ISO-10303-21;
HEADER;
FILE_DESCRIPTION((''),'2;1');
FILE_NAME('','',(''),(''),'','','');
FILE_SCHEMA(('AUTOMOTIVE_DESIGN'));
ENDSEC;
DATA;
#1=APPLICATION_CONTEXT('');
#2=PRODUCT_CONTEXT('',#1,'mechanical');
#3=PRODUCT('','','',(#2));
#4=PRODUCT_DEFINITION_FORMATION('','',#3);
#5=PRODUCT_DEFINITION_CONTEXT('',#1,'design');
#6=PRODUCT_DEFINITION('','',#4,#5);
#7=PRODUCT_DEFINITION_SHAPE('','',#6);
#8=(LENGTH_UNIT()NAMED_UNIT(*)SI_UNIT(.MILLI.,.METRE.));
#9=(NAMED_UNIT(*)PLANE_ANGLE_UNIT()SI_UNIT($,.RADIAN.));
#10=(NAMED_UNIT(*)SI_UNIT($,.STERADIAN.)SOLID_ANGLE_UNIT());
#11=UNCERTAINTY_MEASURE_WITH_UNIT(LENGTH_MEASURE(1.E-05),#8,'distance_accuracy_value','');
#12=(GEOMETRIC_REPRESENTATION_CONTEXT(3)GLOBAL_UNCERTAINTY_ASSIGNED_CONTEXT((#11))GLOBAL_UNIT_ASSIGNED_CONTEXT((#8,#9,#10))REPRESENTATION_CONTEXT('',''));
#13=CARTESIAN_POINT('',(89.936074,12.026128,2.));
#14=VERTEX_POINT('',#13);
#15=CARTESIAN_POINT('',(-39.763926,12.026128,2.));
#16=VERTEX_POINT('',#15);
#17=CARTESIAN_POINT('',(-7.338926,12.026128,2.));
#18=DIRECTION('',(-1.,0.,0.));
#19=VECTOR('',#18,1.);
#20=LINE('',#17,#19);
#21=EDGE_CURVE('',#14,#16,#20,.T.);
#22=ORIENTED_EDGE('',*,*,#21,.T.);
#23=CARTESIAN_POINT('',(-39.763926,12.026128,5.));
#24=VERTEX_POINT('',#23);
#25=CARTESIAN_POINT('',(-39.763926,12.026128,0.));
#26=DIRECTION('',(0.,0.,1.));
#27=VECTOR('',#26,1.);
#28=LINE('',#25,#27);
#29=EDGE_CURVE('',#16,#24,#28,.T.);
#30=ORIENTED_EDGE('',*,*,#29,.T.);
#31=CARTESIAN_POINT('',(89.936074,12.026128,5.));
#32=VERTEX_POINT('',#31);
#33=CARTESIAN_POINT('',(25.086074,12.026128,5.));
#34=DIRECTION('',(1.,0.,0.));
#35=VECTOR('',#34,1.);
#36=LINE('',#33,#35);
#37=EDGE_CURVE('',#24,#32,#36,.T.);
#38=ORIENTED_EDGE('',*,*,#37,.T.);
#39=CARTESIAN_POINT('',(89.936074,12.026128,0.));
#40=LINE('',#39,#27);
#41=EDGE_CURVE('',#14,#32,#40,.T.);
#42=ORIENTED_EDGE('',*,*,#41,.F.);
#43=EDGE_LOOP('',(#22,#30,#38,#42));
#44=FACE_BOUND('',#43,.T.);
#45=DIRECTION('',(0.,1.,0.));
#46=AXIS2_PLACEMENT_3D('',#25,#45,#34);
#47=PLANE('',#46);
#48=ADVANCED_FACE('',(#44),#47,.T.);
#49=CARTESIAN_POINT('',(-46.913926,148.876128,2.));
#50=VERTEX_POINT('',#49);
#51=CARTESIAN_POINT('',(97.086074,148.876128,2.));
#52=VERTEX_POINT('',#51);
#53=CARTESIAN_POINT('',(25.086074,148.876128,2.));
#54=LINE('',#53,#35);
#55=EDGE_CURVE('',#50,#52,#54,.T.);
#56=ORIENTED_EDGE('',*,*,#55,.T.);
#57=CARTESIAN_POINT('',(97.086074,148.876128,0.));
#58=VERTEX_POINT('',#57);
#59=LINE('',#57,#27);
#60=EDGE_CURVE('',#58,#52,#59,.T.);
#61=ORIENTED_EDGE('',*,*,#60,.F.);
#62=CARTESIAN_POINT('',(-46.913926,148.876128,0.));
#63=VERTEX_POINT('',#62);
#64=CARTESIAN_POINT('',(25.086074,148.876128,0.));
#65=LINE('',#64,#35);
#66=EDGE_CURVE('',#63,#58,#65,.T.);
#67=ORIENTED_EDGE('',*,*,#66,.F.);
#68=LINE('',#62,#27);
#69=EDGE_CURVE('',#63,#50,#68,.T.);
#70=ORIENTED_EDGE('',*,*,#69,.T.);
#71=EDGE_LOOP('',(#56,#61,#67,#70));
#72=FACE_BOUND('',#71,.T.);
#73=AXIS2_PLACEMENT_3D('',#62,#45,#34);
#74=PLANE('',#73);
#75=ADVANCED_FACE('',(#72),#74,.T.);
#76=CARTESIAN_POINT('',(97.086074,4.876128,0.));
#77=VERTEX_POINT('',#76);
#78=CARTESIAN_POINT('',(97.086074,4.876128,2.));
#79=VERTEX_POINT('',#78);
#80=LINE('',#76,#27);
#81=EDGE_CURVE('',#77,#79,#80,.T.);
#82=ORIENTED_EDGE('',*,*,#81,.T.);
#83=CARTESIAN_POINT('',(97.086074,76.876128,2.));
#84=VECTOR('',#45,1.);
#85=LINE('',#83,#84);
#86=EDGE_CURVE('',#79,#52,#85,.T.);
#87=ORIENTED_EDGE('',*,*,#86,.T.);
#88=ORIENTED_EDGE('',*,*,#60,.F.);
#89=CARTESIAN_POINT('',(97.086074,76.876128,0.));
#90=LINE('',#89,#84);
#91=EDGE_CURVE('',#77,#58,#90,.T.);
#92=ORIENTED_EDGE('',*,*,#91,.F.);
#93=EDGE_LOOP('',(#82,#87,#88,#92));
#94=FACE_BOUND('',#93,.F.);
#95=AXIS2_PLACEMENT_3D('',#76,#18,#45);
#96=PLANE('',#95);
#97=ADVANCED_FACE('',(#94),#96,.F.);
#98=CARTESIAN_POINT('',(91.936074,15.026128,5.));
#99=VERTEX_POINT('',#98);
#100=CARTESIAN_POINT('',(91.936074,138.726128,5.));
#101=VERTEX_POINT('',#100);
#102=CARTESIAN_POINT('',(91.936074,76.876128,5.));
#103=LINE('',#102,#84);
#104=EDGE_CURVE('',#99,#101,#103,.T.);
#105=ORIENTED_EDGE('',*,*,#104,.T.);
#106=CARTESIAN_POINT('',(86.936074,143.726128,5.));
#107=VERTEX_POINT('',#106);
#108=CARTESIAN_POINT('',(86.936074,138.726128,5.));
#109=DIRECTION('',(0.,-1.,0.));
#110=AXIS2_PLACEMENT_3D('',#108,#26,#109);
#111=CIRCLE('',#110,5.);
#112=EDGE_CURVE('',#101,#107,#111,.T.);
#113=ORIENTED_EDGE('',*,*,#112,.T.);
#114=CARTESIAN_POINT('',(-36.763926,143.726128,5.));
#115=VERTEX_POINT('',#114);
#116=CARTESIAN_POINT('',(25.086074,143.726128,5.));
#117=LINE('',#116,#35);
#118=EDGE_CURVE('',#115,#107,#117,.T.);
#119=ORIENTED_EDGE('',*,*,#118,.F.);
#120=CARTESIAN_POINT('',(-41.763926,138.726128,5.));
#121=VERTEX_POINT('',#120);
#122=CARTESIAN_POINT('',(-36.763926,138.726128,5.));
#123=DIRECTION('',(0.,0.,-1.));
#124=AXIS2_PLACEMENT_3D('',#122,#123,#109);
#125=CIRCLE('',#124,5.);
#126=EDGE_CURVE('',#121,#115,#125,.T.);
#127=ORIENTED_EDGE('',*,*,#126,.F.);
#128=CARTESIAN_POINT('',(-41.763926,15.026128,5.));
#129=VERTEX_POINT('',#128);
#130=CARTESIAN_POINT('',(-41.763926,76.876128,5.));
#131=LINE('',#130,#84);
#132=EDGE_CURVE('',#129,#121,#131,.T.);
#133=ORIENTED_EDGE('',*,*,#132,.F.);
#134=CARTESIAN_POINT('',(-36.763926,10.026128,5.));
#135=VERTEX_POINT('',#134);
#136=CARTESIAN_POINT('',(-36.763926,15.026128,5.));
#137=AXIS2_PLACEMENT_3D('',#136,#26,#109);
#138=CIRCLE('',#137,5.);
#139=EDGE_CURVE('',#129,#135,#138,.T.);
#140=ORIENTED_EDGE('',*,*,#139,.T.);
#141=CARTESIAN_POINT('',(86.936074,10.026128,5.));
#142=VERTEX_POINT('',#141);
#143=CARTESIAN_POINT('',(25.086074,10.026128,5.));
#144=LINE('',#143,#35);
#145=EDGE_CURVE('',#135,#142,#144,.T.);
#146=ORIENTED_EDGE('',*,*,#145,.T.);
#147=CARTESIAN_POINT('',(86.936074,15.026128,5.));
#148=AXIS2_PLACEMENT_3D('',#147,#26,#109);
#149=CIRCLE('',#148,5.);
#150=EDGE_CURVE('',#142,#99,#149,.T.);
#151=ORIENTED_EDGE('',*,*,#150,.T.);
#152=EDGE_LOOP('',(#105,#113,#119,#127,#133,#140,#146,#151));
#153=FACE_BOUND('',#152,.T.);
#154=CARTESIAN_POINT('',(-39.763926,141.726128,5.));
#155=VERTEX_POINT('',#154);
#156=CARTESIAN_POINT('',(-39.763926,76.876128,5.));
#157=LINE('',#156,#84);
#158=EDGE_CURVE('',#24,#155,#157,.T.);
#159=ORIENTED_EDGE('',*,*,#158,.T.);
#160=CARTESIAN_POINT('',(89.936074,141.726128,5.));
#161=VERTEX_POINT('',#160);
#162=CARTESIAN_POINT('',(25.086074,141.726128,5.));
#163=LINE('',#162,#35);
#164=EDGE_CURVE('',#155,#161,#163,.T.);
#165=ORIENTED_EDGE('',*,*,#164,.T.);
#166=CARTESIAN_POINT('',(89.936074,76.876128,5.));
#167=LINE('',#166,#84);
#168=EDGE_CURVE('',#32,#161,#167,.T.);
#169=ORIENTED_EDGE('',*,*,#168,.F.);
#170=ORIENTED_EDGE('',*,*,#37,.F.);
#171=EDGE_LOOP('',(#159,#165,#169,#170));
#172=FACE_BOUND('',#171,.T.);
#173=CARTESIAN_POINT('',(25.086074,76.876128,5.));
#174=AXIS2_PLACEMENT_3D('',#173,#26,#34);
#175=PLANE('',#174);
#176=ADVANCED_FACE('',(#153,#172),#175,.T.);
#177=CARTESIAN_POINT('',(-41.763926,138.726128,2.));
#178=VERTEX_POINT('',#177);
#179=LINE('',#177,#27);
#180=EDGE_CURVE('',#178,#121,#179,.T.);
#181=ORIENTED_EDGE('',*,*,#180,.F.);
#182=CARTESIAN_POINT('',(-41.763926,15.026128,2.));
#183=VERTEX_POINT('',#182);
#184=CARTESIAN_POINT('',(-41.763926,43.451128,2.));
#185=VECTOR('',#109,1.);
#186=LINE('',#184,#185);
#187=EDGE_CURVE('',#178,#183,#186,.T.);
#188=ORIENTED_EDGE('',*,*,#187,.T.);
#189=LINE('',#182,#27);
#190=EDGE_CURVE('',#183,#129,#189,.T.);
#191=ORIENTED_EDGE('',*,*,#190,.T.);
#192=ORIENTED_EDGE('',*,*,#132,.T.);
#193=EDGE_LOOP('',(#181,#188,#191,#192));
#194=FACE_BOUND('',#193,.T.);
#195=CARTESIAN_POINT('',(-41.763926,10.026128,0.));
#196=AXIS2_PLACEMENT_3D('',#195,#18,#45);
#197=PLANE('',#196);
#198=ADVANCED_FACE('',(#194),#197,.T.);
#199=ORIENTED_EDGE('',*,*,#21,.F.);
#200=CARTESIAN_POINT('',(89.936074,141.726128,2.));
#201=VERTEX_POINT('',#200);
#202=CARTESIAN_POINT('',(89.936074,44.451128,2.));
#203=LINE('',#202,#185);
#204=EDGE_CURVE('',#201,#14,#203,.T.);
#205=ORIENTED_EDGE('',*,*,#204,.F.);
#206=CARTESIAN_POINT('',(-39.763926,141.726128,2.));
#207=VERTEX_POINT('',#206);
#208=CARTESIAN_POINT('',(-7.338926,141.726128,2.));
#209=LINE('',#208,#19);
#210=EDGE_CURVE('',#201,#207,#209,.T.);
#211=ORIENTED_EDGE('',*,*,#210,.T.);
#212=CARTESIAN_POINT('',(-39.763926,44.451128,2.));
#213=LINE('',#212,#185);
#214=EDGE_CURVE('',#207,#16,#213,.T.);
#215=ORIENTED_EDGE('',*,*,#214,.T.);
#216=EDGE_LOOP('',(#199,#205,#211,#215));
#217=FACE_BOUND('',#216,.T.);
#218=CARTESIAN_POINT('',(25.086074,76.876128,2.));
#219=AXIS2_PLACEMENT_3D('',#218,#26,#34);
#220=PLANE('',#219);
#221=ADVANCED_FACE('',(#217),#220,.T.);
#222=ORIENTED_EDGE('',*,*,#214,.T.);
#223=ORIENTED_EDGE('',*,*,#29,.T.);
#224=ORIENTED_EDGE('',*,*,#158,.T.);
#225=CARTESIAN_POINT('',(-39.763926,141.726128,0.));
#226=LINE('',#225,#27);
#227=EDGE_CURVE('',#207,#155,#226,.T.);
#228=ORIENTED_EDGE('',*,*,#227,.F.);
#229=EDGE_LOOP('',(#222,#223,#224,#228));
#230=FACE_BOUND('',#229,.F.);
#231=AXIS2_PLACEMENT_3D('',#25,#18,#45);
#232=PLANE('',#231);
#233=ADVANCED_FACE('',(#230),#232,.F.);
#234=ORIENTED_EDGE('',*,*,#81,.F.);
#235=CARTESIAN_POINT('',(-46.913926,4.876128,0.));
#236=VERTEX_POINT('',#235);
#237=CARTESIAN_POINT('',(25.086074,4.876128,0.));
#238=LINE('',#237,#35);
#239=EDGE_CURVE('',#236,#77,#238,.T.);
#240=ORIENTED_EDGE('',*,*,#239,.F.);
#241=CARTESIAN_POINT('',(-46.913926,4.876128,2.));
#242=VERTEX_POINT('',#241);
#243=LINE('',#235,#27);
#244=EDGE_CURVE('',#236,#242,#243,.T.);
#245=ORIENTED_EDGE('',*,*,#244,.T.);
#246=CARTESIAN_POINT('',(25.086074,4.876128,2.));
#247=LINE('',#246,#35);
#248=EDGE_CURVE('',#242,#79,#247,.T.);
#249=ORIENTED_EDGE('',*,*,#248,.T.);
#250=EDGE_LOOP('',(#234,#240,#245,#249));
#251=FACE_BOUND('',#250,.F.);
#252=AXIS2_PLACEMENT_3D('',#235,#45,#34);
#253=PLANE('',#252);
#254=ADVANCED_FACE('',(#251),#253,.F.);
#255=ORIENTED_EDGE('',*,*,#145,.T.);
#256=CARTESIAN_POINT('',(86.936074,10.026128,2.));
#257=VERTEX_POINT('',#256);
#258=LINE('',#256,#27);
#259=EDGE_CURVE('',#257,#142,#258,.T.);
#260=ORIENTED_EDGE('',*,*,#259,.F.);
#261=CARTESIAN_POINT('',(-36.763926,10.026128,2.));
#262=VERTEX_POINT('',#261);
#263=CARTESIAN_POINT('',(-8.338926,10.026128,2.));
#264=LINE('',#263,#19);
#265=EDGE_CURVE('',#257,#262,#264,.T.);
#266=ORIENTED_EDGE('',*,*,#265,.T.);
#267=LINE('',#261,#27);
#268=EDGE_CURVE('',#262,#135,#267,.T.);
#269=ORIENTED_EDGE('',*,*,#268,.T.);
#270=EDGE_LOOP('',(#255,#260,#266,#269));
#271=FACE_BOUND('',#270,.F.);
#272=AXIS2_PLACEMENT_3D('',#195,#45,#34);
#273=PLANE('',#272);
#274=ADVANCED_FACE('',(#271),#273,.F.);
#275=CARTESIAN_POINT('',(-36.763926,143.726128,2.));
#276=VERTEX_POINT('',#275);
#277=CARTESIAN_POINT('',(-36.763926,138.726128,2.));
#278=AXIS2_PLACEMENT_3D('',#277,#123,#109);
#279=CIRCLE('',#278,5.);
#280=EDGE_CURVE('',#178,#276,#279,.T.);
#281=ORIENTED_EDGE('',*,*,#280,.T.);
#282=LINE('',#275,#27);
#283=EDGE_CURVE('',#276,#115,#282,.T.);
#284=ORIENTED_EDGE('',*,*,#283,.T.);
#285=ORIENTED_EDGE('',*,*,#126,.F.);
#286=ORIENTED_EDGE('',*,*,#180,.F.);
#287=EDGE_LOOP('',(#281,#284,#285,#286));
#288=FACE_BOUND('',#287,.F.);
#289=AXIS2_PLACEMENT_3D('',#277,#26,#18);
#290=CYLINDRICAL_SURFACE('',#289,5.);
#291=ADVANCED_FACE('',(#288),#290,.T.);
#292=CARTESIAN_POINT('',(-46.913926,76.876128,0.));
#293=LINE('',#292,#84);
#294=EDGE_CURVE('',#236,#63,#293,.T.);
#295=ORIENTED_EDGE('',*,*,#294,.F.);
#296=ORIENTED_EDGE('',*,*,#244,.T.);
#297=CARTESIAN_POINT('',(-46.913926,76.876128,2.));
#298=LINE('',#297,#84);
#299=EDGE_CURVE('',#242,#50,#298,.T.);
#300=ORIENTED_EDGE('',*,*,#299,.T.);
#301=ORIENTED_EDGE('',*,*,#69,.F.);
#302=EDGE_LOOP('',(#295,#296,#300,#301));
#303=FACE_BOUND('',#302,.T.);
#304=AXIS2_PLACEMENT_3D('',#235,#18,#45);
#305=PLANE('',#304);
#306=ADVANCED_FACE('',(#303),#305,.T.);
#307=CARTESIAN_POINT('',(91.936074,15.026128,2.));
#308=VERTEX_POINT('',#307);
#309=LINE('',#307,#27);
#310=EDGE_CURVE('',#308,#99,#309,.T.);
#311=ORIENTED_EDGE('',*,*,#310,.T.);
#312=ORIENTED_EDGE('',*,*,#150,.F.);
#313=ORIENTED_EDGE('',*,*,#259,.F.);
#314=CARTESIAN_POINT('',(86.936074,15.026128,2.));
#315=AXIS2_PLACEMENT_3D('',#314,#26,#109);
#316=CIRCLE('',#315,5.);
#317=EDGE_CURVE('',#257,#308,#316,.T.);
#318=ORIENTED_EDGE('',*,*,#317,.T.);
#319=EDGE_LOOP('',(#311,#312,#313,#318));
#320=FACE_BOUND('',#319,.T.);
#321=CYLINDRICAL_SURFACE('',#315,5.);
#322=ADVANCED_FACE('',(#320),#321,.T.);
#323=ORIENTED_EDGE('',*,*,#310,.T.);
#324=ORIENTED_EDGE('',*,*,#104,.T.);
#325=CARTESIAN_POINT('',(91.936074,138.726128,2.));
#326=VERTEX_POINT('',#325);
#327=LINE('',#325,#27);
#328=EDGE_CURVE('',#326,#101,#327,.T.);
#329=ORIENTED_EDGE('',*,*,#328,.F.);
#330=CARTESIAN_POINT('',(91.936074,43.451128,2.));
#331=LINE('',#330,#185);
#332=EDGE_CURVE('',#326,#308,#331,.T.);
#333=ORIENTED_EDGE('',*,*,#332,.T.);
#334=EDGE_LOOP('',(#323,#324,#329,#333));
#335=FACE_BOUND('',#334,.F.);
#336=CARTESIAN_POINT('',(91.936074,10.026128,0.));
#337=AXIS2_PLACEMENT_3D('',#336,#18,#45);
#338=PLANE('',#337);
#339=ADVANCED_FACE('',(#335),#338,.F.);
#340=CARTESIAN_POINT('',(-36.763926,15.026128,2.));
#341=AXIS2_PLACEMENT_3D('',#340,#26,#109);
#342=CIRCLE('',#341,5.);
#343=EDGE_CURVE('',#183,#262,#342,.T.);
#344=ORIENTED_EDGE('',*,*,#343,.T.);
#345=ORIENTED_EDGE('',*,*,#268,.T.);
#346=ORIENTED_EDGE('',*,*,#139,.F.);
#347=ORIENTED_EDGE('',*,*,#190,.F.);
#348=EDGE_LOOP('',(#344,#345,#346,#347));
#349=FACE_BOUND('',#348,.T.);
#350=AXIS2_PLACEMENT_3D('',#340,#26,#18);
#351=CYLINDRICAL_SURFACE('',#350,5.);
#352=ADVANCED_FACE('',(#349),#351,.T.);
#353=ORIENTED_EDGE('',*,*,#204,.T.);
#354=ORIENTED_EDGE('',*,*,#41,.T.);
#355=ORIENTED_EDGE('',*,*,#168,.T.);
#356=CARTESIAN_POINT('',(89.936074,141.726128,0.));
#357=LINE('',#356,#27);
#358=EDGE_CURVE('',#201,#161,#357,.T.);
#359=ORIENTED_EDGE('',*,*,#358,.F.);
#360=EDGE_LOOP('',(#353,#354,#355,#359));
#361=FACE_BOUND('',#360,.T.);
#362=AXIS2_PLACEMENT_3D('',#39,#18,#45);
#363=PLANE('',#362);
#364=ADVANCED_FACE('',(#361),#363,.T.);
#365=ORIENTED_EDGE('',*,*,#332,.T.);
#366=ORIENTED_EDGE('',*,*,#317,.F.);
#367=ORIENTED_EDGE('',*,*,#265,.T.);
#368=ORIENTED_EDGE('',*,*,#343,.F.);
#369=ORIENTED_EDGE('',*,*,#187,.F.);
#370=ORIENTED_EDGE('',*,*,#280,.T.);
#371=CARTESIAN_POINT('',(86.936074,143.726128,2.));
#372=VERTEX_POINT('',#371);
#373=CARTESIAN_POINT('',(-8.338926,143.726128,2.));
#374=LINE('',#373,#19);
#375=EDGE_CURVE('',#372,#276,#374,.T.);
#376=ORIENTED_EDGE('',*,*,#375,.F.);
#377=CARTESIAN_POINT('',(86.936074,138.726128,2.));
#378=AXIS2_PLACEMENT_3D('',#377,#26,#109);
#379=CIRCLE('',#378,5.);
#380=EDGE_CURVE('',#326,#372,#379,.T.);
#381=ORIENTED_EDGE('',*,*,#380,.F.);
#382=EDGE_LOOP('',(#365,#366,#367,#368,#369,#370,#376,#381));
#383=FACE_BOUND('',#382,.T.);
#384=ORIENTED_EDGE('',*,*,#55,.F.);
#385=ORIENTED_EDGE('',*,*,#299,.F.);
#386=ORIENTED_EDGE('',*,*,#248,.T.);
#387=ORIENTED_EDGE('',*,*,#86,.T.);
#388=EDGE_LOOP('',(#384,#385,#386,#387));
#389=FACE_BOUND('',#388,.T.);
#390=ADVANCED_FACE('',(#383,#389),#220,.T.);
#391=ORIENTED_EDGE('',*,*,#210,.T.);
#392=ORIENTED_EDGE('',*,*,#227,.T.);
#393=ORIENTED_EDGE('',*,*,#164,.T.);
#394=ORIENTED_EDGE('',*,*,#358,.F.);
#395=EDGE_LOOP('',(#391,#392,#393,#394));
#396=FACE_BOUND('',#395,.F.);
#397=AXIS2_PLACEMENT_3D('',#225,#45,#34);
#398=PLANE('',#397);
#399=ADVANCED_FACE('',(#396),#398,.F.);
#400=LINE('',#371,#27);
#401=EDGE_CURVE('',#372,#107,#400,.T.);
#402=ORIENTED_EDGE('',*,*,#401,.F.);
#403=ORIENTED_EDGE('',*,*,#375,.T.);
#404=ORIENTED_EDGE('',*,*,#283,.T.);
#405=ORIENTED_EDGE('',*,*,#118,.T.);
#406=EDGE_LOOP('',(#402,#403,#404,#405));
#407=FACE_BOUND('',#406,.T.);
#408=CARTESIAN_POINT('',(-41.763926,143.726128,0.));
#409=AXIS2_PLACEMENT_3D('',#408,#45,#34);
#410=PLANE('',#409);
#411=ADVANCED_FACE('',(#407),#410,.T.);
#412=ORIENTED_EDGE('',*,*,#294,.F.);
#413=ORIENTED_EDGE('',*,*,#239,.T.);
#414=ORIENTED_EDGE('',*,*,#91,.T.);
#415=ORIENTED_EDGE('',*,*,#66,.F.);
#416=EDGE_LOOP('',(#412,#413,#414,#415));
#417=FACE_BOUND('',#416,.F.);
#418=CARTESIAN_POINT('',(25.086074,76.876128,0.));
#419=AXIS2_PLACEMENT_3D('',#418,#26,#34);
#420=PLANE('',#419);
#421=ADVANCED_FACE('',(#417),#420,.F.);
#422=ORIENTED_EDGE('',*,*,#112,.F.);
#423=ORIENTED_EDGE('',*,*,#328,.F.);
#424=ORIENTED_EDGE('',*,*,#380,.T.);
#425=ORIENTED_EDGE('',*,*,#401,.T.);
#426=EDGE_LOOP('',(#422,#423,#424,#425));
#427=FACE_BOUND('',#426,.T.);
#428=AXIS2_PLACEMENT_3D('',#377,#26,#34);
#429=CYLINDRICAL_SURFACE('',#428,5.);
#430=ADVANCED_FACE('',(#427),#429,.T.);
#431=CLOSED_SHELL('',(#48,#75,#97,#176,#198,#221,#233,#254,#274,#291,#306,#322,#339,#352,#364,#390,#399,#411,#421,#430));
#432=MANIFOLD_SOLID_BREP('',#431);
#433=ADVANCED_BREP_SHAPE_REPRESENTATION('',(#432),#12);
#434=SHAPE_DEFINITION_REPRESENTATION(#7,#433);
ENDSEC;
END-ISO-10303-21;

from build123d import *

# Parameters (mm, degrees)
F0_W     = 144
F0_H     = 144
F2_DEPTH = 2
F1_W     = 133.7
F1_H     = 133.7
F1_W_2   = 129.7
F1_H_2   = 129.7
F3_DEPTH = 5
F4_R     = 5


with BuildPart() as f2:
    # F0 (on Top) → F2 (new body)
    with BuildSketch(Plane.XY):
        with Locations((25.086074, 76.876128)):
            Rectangle(F0_W, F0_H)
    extrude(amount=F2_DEPTH)

    # F1 (on face) → F3 (join)
    with BuildSketch(Plane.XY):
        with Locations((25.086074, 76.876128)):
            Rectangle(F1_W, F1_H)
        with Locations((25.086074, 76.876128)):
            Rectangle(F1_W_2, F1_H_2, mode=Mode.SUBTRACT)
    extrude(amount=F3_DEPTH)

    # F4
    f4_edges = [f2.edges().sort_by_distance(p)[0] for p in [
        (-41.763926, 143.726128, 3.5),
        (91.936074, 143.726128, 3.5),
        (-41.763926, 10.026128, 3.5),
        (91.936074, 10.026128, 3.5),
    ]]
    fillet(f4_edges, radius=F4_R)


solid = f2.part
